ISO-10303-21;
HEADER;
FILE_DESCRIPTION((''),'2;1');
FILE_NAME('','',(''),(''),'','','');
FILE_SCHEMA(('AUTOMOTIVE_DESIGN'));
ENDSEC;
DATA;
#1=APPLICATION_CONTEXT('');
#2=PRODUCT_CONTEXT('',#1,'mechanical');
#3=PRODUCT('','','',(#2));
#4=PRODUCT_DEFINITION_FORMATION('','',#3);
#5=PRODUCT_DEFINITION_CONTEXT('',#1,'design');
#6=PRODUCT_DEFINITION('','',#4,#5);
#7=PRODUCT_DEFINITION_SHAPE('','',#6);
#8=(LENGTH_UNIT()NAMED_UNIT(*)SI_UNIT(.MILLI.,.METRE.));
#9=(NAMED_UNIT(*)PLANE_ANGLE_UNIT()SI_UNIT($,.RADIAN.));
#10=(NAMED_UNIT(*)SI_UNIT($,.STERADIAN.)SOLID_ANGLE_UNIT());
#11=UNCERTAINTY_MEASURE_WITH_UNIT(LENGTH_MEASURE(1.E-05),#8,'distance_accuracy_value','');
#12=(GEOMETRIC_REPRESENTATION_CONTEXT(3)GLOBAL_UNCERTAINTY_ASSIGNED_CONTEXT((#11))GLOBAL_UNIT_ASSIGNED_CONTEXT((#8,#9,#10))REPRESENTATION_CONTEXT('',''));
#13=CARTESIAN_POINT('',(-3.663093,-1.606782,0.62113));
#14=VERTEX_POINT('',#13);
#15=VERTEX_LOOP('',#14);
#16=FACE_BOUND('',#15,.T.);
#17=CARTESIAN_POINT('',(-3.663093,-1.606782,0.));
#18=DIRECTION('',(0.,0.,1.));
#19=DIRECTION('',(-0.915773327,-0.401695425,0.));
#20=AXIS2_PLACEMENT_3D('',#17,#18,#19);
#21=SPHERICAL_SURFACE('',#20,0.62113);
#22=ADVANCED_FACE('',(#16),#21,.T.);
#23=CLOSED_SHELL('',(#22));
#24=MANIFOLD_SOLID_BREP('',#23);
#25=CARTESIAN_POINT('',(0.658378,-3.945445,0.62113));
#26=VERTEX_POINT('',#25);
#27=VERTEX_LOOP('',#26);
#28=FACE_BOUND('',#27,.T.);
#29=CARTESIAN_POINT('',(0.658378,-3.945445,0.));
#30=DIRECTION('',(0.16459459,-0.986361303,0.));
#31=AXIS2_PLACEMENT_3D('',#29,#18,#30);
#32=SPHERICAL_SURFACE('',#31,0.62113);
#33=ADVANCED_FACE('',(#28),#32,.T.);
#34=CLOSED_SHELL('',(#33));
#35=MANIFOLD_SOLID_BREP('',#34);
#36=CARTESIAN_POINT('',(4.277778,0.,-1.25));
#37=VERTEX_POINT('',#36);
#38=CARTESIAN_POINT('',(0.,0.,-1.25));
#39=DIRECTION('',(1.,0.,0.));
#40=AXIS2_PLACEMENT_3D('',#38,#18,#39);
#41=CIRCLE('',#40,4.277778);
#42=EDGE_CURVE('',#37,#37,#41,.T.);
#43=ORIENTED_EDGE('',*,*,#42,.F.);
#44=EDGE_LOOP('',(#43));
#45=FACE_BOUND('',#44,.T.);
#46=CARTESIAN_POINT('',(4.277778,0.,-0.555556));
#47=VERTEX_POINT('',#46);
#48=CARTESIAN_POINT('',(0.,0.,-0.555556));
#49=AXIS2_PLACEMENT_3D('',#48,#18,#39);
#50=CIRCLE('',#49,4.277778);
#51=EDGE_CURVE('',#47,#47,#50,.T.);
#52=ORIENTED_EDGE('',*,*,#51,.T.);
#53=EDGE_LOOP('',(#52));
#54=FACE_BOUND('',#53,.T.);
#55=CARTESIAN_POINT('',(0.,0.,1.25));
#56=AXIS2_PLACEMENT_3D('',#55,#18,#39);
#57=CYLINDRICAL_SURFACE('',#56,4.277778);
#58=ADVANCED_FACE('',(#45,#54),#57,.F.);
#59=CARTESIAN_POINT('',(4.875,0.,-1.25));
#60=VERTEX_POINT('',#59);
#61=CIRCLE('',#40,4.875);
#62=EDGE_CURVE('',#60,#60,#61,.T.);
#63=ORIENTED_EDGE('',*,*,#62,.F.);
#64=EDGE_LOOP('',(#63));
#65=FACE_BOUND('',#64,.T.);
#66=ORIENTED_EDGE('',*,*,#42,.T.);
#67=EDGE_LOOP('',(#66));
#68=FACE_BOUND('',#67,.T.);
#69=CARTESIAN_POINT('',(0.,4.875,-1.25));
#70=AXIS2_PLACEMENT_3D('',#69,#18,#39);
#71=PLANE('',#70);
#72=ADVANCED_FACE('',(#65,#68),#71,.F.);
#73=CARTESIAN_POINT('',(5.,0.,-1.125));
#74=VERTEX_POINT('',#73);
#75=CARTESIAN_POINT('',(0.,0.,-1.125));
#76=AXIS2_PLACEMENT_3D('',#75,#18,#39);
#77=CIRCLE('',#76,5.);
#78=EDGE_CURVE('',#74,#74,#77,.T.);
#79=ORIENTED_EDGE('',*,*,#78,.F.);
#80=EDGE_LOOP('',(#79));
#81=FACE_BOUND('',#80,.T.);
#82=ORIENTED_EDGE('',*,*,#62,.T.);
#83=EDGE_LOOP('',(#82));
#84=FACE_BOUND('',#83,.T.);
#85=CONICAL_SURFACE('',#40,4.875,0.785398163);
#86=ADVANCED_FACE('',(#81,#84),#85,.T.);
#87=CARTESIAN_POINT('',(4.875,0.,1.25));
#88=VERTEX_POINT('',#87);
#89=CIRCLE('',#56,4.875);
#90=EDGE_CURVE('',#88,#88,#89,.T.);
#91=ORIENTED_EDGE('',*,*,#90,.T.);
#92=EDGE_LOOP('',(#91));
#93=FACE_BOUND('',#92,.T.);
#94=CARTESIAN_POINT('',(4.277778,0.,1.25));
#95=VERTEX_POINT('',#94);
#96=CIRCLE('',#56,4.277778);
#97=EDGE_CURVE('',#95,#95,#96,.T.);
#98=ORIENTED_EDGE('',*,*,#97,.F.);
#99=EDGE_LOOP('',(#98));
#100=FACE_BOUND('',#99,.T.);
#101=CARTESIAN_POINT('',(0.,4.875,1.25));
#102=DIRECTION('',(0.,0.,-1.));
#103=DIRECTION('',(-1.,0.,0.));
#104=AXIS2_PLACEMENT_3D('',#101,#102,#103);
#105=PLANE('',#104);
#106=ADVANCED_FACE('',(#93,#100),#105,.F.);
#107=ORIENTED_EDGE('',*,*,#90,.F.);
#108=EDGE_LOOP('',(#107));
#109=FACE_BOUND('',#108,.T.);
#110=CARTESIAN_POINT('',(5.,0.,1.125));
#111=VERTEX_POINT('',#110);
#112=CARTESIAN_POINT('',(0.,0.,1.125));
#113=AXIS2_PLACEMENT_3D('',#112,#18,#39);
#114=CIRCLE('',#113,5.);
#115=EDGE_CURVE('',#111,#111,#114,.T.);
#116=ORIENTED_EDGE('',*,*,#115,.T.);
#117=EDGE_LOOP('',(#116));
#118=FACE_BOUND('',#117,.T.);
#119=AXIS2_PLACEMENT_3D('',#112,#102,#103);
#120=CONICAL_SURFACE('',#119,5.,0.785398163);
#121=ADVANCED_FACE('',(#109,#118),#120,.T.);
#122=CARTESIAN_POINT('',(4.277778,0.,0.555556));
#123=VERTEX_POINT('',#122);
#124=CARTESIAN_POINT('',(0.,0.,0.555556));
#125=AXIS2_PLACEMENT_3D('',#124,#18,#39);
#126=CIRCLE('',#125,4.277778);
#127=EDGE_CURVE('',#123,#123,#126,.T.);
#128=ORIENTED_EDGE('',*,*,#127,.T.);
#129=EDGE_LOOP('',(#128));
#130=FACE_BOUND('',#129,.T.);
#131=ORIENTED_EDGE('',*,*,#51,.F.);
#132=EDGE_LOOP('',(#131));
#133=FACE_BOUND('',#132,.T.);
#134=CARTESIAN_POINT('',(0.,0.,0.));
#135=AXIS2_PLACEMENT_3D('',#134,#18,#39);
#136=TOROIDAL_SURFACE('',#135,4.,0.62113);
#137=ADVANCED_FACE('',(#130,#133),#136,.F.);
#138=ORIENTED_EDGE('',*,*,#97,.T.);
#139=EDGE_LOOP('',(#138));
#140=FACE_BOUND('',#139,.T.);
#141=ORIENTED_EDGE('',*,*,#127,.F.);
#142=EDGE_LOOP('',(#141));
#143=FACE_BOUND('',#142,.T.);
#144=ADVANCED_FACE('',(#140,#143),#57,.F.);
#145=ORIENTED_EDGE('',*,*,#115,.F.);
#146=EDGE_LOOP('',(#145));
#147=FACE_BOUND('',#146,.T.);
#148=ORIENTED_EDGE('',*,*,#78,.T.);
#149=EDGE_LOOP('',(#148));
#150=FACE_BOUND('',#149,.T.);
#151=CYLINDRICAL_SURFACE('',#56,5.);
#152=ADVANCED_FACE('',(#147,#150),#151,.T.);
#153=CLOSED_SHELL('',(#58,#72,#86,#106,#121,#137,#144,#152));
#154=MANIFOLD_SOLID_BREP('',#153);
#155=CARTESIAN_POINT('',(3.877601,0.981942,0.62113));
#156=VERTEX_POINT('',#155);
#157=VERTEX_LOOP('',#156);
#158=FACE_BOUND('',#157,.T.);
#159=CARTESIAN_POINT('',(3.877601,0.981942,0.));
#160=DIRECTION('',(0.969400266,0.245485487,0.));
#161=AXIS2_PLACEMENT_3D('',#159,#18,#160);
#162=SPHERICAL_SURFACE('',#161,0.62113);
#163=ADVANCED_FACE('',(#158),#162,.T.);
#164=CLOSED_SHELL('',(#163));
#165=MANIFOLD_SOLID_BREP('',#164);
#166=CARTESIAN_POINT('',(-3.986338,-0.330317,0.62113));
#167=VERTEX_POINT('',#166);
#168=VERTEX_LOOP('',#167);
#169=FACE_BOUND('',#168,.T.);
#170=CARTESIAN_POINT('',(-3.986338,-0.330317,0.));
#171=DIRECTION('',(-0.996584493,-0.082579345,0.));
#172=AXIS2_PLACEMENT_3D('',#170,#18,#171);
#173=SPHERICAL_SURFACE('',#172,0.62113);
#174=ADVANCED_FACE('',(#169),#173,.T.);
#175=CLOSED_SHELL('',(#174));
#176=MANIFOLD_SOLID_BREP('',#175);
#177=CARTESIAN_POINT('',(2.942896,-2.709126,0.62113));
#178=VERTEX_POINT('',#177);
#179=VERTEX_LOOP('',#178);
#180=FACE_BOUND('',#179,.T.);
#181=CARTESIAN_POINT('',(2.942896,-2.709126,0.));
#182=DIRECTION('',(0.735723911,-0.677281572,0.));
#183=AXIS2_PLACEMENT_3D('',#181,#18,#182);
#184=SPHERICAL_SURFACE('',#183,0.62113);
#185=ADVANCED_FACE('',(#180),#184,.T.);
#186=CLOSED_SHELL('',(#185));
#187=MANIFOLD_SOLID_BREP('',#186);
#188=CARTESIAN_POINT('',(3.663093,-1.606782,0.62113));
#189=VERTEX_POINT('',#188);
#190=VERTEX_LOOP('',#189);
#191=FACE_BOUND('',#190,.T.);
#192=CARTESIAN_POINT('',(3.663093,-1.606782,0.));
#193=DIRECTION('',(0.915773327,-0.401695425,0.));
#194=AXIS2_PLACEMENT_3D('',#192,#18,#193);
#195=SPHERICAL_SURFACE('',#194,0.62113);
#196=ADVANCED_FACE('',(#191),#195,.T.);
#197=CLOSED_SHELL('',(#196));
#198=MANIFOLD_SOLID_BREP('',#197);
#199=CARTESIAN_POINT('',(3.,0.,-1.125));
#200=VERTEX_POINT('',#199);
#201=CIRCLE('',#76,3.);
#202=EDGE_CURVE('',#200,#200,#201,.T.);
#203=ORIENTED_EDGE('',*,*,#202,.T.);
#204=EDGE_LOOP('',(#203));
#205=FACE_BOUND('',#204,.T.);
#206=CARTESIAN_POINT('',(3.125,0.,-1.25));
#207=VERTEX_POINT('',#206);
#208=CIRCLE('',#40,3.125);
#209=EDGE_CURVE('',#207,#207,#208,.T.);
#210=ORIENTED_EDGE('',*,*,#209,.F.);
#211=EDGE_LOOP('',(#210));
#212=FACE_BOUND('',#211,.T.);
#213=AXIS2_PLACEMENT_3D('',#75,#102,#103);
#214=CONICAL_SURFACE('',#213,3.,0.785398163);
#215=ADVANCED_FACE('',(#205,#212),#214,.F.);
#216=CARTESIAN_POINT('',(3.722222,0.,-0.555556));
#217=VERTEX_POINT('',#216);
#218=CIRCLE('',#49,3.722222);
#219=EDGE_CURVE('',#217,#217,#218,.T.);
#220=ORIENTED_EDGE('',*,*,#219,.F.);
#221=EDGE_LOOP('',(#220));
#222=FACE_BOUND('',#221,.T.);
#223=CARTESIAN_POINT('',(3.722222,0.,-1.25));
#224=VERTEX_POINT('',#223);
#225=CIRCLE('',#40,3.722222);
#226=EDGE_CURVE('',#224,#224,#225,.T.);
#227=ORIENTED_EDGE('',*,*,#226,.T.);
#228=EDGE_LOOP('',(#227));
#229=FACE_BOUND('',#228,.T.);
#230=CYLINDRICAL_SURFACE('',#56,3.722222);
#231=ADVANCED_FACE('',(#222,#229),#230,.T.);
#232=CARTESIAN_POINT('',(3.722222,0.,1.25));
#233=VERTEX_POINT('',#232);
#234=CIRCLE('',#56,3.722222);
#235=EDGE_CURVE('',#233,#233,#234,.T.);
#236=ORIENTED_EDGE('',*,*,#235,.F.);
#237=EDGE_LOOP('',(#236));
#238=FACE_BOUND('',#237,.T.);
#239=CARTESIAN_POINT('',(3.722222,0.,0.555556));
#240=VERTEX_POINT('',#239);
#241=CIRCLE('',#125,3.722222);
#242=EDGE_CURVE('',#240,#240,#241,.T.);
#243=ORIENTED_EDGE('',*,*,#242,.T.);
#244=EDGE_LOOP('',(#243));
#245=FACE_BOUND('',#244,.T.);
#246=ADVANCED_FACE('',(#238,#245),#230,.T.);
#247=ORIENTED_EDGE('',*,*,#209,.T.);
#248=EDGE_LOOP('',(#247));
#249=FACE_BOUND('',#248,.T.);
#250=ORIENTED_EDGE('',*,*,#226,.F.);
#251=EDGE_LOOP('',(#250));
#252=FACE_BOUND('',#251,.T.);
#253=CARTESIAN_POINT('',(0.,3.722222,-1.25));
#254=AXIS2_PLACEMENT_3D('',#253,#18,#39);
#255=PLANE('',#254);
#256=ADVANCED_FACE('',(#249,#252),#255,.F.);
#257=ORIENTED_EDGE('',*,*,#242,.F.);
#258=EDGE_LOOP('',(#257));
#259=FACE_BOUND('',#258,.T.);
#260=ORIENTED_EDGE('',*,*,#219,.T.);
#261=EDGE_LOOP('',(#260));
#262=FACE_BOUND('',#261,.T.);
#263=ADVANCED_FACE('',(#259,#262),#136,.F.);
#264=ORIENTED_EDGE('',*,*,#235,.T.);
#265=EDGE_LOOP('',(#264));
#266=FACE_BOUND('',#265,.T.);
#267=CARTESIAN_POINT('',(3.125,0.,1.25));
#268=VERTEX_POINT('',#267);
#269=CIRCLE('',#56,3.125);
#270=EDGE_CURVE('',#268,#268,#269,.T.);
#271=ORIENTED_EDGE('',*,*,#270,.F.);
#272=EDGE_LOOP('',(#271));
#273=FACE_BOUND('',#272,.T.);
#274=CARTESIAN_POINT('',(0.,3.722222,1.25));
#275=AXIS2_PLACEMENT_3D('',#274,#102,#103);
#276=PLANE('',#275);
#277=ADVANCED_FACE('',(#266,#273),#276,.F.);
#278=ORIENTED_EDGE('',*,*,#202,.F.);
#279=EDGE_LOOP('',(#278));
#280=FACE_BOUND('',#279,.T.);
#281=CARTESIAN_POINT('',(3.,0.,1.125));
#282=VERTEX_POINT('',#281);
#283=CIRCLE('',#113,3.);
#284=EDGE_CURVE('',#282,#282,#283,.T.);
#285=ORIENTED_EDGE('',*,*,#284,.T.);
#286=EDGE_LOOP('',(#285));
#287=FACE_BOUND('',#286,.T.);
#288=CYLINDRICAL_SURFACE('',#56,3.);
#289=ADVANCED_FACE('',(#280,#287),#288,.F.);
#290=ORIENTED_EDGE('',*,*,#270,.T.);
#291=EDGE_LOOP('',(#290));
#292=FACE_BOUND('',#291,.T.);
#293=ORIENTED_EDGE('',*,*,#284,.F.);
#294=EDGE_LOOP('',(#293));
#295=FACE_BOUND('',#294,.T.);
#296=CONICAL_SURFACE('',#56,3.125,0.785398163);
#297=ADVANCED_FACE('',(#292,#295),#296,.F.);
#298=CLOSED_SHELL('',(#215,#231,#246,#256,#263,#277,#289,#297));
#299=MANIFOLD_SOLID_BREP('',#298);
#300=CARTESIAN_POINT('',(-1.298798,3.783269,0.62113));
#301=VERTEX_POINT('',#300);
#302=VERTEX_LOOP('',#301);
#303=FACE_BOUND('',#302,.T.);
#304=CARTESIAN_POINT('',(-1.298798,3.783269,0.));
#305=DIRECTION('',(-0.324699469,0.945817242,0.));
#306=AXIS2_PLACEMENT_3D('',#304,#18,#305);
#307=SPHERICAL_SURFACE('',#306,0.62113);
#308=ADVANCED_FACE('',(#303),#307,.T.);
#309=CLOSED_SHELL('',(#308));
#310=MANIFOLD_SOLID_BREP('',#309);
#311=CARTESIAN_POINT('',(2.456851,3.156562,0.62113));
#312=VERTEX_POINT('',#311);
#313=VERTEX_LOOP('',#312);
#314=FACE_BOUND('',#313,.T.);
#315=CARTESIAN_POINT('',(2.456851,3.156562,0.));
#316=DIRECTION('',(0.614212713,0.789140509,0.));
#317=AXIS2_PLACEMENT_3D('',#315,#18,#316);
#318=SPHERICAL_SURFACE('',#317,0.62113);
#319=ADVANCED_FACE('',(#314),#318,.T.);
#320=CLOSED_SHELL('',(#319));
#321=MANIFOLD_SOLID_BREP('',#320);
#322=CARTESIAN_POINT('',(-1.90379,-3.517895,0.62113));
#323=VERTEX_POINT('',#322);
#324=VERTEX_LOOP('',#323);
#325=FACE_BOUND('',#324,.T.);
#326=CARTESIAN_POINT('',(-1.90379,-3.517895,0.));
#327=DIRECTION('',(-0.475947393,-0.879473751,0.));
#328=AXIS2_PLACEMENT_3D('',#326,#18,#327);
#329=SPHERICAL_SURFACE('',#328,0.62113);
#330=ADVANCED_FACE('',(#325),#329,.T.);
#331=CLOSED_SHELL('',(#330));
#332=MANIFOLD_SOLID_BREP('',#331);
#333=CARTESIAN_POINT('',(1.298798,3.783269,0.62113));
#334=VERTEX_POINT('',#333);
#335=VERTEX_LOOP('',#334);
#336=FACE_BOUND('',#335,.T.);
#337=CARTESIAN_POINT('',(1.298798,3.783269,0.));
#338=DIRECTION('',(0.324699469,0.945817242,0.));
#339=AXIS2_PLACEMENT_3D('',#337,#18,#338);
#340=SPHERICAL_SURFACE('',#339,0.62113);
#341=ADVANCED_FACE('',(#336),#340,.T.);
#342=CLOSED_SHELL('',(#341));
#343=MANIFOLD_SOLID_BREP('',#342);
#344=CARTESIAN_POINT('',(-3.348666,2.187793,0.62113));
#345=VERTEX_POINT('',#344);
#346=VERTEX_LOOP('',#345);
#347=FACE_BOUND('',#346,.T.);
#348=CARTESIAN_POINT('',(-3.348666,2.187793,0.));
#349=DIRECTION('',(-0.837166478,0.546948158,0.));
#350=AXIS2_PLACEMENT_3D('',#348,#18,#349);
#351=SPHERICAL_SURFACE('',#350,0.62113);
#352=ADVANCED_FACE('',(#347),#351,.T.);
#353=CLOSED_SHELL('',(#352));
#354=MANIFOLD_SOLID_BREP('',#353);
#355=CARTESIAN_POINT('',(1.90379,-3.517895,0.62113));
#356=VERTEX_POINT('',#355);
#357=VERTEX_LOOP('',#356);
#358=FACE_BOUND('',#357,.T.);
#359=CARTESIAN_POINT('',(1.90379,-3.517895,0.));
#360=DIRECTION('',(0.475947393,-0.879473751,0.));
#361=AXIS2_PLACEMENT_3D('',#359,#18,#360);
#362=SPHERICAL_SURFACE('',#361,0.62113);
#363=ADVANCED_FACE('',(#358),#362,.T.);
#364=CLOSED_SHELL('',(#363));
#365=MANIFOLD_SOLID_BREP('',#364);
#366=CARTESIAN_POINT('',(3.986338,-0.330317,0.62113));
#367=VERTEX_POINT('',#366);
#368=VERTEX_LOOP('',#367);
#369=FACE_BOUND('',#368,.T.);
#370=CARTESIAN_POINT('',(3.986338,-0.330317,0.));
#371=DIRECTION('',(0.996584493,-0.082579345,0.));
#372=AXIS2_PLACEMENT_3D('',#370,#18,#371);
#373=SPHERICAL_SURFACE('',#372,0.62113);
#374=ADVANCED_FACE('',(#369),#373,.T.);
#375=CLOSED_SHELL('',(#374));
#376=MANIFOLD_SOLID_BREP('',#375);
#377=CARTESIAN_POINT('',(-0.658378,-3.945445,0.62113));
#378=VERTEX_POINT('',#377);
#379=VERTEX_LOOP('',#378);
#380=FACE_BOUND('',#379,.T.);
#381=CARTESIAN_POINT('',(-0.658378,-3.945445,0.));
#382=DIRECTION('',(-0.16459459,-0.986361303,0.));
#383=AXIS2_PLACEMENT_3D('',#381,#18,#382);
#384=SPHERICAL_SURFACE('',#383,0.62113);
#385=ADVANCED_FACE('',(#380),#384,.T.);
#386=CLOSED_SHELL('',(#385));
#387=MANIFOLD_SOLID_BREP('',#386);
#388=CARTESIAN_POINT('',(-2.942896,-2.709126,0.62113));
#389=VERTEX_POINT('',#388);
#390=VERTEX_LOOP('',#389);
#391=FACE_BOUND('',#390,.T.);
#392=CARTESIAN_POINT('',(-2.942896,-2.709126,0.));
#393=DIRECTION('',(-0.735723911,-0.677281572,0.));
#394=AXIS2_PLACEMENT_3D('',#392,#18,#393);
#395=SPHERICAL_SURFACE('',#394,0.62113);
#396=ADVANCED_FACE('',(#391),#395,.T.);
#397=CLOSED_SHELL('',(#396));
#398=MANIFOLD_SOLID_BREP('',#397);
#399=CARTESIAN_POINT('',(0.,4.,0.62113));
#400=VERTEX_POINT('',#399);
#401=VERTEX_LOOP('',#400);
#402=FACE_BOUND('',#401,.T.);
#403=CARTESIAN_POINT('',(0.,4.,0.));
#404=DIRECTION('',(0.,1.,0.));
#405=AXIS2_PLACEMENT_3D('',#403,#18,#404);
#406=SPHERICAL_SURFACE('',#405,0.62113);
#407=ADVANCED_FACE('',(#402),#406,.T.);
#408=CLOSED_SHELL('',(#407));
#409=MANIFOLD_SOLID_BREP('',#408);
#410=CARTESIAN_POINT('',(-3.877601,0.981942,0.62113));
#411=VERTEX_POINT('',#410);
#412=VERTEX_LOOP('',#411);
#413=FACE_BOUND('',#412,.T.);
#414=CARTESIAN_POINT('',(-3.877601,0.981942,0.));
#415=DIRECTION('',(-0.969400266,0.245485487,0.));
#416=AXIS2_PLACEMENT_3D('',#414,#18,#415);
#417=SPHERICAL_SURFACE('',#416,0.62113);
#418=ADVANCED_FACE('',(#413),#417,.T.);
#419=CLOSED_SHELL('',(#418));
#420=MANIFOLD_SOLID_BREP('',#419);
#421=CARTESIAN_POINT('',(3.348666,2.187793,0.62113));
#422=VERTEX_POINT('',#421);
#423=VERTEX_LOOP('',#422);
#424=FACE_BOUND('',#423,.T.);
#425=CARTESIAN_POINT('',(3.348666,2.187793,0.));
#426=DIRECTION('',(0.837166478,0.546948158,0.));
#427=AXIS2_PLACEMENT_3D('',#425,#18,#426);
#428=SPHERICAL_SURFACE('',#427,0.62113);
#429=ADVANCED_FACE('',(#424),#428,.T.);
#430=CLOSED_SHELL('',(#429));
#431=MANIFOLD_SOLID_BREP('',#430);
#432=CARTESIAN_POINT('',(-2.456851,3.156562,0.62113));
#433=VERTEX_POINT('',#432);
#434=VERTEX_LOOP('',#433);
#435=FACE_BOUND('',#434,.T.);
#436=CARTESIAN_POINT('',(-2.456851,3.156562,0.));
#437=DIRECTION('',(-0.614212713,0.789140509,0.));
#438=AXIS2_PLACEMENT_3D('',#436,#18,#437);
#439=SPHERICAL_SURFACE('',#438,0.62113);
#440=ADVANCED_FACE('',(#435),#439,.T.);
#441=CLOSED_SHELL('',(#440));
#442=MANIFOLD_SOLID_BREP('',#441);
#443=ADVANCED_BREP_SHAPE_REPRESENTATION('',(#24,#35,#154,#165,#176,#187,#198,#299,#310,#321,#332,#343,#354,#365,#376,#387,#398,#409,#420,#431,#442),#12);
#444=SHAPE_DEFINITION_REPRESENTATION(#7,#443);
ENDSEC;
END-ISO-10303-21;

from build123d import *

# Parameters (mm, degrees)
CIRPATTERN1_COUNT = 19


with BuildPart() as part:
    # Sketch1 → Revolve1 (revolve)
    with BuildSketch(Plane(origin=(0, 0, 0), x_dir=(0, 0, -1), z_dir=(1, 0, 0))):
        with BuildLine():
            Line((1.125, 5), (-1.125, 5))
            Line((-1.125, 5), (-1.25, 4.875))
            Line((-1.25, 4.875), (-1.25, 4.277777778))
            Line((-1.25, 4.277777778), (-0.555555556, 4.277777778))
            ThreePointArc((-0.555555556, 4.277777778), (0, 4.621129994), (0.555555556, 4.277777778))
            Line((0.555555556, 4.277777778), (1.25, 4.277777778))
            Line((1.25, 4.277777778), (1.25, 4.875))
            Line((1.25, 4.875), (1.125, 5))
        make_face()
    revolve(axis=Axis((0, 0, 1.25), (0, 0, -1)))


with BuildPart() as body_2:
    # Sketch2 → Revolve2 (revolve)
    with BuildSketch(Plane(origin=(0, 0, 0), x_dir=(0, 0, -1), z_dir=(1, 0, 0))):
        with BuildLine():
            Line((-1.25, 3.722222222), (-0.555555556, 3.722222222))
            ThreePointArc((-0.555555556, 3.722222222), (0, 3.378870006), (0.555555556, 3.722222222))
            Line((0.555555556, 3.722222222), (1.25, 3.722222222))
            Line((1.25, 3.722222222), (1.25, 3.125))
            Line((1.25, 3.125), (1.125, 3))
            Line((1.125, 3), (-1.125, 3))
            Line((-1.125, 3), (-1.25, 3.125))
            Line((-1.25, 3.125), (-1.25, 3.722222222))
        make_face()
    revolve(axis=Axis((0, 0, 1.25), (0, 0, -1)))


with BuildPart() as body_3:
    # Sketch3 → Revolve3 (revolve)
    with BuildSketch(Plane(origin=(0, 0, 0), x_dir=(0, 0, -1), z_dir=(1, 0, 0))):
        with BuildLine():
            Line((-0.621129994, 4), (0.621129994, 4))
            ThreePointArc((0.621129994, 4), (0, 4.621129994), (-0.621129994, 4))
        make_face()
    revolve(axis=Axis((0, 4, 0.621129994), (0, 0, -1)))


with BuildPart() as cirpattern1_1:
    # CirPattern1: pattern copy
    add(body_3.part.rotate(Axis((0, 0, -1.25), (0, 0, 1)), 1 * 360 / CIRPATTERN1_COUNT))


with BuildPart() as cirpattern1_2:
    # CirPattern1: pattern copy
    add(body_3.part.rotate(Axis((0, 0, -1.25), (0, 0, 1)), 2 * 360 / CIRPATTERN1_COUNT))


with BuildPart() as cirpattern1_3:
    # CirPattern1: pattern copy
    add(body_3.part.rotate(Axis((0, 0, -1.25), (0, 0, 1)), 3 * 360 / CIRPATTERN1_COUNT))


with BuildPart() as cirpattern1_4:
    # CirPattern1: pattern copy
    add(body_3.part.rotate(Axis((0, 0, -1.25), (0, 0, 1)), 4 * 360 / CIRPATTERN1_COUNT))


with BuildPart() as cirpattern1_5:
    # CirPattern1: pattern copy
    add(body_3.part.rotate(Axis((0, 0, -1.25), (0, 0, 1)), 5 * 360 / CIRPATTERN1_COUNT))


with BuildPart() as cirpattern1_6:
    # CirPattern1: pattern copy
    add(body_3.part.rotate(Axis((0, 0, -1.25), (0, 0, 1)), 6 * 360 / CIRPATTERN1_COUNT))


with BuildPart() as cirpattern1_7:
    # CirPattern1: pattern copy
    add(body_3.part.rotate(Axis((0, 0, -1.25), (0, 0, 1)), 7 * 360 / CIRPATTERN1_COUNT))


with BuildPart() as cirpattern1_8:
    # CirPattern1: pattern copy
    add(body_3.part.rotate(Axis((0, 0, -1.25), (0, 0, 1)), 8 * 360 / CIRPATTERN1_COUNT))


with BuildPart() as cirpattern1_9:
    # CirPattern1: pattern copy
    add(body_3.part.rotate(Axis((0, 0, -1.25), (0, 0, 1)), 9 * 360 / CIRPATTERN1_COUNT))


with BuildPart() as cirpattern1_10:
    # CirPattern1: pattern copy
    add(body_3.part.rotate(Axis((0, 0, -1.25), (0, 0, 1)), 10 * 360 / CIRPATTERN1_COUNT))


with BuildPart() as cirpattern1_11:
    # CirPattern1: pattern copy
    add(body_3.part.rotate(Axis((0, 0, -1.25), (0, 0, 1)), 11 * 360 / CIRPATTERN1_COUNT))


with BuildPart() as cirpattern1_12:
    # CirPattern1: pattern copy
    add(body_3.part.rotate(Axis((0, 0, -1.25), (0, 0, 1)), 12 * 360 / CIRPATTERN1_COUNT))


with BuildPart() as cirpattern1_13:
    # CirPattern1: pattern copy
    add(body_3.part.rotate(Axis((0, 0, -1.25), (0, 0, 1)), 13 * 360 / CIRPATTERN1_COUNT))


with BuildPart() as cirpattern1_14:
    # CirPattern1: pattern copy
    add(body_3.part.rotate(Axis((0, 0, -1.25), (0, 0, 1)), 14 * 360 / CIRPATTERN1_COUNT))


with BuildPart() as cirpattern1_15:
    # CirPattern1: pattern copy
    add(body_3.part.rotate(Axis((0, 0, -1.25), (0, 0, 1)), 15 * 360 / CIRPATTERN1_COUNT))


with BuildPart() as cirpattern1_16:
    # CirPattern1: pattern copy
    add(body_3.part.rotate(Axis((0, 0, -1.25), (0, 0, 1)), 16 * 360 / CIRPATTERN1_COUNT))


with BuildPart() as cirpattern1_17:
    # CirPattern1: pattern copy
    add(body_3.part.rotate(Axis((0, 0, -1.25), (0, 0, 1)), 17 * 360 / CIRPATTERN1_COUNT))


with BuildPart() as cirpattern1_18:
    # CirPattern1: pattern copy
    add(body_3.part.rotate(Axis((0, 0, -1.25), (0, 0, 1)), 18 * 360 / CIRPATTERN1_COUNT))


solid = Compound([part.part, body_2.part, body_3.part, cirpattern1_1.part, cirpattern1_2.part, cirpattern1_3.part, cirpattern1_4.part, cirpattern1_5.part, cirpattern1_6.part, cirpattern1_7.part, cirpattern1_8.part, cirpattern1_9.part, cirpattern1_10.part, cirpattern1_11.part, cirpattern1_12.part, cirpattern1_13.part, cirpattern1_14.part, cirpattern1_15.part, cirpattern1_16.part, cirpattern1_17.part, cirpattern1_18.part])
